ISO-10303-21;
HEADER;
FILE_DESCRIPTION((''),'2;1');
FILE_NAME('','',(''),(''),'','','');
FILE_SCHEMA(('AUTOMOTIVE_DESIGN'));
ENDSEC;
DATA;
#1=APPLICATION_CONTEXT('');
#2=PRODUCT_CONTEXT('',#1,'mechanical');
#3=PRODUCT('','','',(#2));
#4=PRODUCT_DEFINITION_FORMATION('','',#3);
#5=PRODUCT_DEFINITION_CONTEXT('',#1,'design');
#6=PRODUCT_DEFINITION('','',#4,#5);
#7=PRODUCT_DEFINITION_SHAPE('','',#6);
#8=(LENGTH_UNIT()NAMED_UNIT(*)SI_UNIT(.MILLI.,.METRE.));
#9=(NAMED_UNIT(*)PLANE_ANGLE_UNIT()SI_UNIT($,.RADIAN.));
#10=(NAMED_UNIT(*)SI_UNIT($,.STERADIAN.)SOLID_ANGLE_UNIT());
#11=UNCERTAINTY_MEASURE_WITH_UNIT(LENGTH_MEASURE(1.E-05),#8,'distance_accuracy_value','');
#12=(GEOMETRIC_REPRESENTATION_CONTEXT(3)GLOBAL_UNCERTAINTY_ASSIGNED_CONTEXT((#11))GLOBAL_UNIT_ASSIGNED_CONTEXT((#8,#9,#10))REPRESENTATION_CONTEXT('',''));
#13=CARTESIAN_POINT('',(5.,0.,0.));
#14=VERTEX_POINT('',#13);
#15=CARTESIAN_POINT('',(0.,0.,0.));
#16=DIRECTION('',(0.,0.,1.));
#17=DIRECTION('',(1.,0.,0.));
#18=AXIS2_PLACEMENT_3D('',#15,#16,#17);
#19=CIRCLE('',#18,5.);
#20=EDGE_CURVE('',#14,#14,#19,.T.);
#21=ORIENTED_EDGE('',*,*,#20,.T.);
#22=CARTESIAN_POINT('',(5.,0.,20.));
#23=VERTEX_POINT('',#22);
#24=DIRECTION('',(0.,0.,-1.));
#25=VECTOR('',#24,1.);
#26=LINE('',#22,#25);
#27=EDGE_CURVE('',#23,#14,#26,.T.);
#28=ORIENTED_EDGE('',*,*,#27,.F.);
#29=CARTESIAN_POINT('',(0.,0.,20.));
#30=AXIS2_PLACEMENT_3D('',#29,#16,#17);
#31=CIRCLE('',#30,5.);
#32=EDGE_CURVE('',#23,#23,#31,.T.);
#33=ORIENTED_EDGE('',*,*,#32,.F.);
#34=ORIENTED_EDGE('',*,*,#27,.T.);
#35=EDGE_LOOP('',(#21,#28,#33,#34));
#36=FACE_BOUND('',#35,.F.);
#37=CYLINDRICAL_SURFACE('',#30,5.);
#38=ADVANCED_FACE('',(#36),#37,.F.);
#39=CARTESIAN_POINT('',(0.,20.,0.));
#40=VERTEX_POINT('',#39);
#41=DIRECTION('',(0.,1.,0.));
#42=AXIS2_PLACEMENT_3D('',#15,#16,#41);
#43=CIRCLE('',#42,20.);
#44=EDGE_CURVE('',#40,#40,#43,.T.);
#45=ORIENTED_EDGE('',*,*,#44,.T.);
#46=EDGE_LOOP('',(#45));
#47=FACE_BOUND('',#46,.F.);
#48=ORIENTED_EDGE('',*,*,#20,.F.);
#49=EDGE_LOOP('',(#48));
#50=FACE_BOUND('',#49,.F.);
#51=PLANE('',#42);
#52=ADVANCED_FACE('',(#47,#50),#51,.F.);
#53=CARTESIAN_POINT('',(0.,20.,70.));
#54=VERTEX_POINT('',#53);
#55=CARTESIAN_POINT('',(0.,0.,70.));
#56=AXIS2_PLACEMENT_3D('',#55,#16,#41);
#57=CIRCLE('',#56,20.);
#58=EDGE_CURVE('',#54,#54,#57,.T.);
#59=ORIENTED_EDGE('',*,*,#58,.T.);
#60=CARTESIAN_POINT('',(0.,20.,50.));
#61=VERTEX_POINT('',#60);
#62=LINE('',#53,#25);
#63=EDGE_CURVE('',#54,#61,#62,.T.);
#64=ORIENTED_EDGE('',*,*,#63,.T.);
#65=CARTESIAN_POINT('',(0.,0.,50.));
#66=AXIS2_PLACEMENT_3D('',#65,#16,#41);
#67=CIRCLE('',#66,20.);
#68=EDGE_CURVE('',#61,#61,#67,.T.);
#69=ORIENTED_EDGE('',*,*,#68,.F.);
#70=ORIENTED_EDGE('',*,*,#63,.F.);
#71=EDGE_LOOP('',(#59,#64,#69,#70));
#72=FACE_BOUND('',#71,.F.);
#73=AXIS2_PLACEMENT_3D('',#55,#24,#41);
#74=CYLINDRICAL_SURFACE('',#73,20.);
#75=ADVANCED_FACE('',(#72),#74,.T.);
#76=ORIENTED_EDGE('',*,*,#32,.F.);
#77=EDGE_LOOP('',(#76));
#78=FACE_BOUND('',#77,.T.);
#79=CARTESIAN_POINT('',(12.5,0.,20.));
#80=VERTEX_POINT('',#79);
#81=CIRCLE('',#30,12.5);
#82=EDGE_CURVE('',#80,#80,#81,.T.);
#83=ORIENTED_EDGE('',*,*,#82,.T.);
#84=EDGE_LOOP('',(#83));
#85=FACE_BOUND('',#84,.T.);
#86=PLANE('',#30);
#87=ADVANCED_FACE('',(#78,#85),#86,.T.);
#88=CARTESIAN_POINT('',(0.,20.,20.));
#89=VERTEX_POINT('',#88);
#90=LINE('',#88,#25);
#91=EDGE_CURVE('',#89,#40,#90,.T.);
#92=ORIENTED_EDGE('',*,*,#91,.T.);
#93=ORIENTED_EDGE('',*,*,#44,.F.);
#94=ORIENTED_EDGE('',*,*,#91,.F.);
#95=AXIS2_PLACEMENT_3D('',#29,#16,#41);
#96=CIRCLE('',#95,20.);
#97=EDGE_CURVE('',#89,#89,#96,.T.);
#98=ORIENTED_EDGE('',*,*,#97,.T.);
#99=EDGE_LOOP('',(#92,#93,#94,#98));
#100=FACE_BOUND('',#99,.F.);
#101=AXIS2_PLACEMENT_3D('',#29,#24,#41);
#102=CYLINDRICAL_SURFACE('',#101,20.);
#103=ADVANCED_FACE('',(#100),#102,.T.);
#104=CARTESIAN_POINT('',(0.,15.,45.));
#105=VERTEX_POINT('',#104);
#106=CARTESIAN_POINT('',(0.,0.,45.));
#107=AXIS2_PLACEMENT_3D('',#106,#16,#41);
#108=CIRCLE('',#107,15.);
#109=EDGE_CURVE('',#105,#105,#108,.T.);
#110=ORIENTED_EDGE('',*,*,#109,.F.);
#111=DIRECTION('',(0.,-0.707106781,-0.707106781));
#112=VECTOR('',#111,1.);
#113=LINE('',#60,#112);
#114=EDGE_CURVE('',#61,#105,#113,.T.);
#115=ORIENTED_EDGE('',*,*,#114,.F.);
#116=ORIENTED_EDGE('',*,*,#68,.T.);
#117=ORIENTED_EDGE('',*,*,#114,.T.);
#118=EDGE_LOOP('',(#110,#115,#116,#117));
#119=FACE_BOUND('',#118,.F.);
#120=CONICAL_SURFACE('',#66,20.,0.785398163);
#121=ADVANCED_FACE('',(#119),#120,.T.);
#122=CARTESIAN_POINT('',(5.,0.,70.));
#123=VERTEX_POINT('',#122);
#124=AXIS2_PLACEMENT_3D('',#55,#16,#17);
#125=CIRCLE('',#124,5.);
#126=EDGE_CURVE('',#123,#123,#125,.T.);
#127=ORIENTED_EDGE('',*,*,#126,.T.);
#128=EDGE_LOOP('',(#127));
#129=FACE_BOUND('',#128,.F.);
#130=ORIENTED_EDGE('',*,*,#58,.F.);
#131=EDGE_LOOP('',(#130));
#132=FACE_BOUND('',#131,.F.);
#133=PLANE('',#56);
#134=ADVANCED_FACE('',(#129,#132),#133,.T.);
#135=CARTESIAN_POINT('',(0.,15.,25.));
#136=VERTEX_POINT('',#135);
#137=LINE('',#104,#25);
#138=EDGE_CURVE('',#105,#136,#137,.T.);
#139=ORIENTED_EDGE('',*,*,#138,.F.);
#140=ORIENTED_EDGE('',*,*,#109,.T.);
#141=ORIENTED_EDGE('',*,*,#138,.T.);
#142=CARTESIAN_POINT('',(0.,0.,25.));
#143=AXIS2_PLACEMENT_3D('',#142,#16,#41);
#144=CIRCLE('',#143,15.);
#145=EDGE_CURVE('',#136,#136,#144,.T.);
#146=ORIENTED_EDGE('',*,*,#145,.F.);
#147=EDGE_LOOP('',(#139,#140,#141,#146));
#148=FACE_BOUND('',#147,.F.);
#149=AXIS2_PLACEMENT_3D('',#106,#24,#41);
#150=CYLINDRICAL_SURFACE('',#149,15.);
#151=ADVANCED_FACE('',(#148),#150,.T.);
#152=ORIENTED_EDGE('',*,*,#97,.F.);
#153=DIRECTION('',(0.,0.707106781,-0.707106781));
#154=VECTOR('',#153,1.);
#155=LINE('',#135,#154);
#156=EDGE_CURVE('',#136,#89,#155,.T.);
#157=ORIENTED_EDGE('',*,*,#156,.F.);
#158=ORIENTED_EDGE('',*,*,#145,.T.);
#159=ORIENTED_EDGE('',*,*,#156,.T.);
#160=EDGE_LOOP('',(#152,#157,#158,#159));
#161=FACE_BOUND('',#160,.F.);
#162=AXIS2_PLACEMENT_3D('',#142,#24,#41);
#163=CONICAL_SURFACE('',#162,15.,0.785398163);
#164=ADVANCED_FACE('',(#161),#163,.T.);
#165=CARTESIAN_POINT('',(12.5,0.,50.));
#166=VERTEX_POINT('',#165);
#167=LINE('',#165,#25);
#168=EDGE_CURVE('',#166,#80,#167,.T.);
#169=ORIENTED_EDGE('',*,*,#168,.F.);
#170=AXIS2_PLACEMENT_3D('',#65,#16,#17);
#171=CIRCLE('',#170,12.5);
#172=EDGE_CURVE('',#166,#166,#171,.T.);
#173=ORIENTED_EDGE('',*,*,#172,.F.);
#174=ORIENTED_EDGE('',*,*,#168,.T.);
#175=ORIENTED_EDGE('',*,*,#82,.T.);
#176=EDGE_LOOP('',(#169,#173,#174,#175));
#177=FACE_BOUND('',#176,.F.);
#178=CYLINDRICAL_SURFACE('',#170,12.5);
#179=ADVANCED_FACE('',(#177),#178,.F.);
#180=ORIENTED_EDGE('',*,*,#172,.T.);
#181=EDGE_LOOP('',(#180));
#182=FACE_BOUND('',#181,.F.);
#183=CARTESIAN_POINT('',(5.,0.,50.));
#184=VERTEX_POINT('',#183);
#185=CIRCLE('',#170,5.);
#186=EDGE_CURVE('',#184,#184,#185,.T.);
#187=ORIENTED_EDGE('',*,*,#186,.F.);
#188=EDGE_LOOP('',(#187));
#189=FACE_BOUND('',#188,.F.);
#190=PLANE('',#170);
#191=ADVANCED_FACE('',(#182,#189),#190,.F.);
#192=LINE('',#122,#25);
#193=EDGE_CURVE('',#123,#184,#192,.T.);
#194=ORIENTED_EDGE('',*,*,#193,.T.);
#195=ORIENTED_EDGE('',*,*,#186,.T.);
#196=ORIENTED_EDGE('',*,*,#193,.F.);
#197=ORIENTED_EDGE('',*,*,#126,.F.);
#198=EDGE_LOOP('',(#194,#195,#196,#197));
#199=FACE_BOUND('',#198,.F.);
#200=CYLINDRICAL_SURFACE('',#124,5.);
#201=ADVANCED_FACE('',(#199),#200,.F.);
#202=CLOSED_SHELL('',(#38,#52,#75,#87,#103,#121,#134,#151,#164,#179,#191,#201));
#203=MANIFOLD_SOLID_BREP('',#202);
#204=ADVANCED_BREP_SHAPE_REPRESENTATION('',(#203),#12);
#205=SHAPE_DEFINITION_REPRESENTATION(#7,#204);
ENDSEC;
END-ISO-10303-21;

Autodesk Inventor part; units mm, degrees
ref_plane "YZ Plane" through (0, 0, 0) normal (1, 0, 0) x (0, 1, 0)
ref_plane "XZ Plane" through (0, 0, 0) normal (0, 1, 0) x (-1, 0, 0)
ref_plane "XY Plane" through (0, 0, 0) normal (0, 0, 1) x (1, 0, 0)
sketch "스케치4" plane through (0, 0, 0) normal (1, 0, 0) x (0, 1, 0)
  line L0 (0, 0) -> (0, 70)
  line L1 (0, 70) -> (20, 70)
  line L2 (20, 70) -> (20, 50)
  line L3 (20, 50) -> (15, 45)
  line L4 (15, 45) -> (15, 25)
  line L5 (15, 25) -> (20, 20)
  line L6 (20, 20) -> (20, 0)
  line L7 (20, 0) -> (0, 0)
  dimension "d98" = 70
  dimension "d99" = 20
  dimension "d100" = 20
  dimension "d101" = 20
  dimension "d102" = 20
  dimension "d103" = 5
  dimension "d104" = 5
revolve "회전2" add sketch "스케치4" angle 360 about axis through (0, 0, 0) along (0, 0, 1)
sketch "스케치5" plane through (0, 0, 70) normal (0, 0, 1) x (1, 0, 0)
  circle A0 centre (0, 0) radius 5
  dimension "d106" = 10
extrude "돌출1" cut sketch "스케치5" against normal blind 20
sketch "스케치6" plane through (0, 0, 50) normal (0, 0, 1) x (1, 0, 0)
  circle A0 centre (0, 0) radius 12.5
  dimension "d109" = 25
extrude "돌출2" cut sketch "스케치6" against normal blind 30
sketch "스케치7" plane through (0, 0, 20) normal (0, 0, 1) x (1, 0, 0)
  circle A0 centre (0, 0) radius 5
  dimension "d112" = 10
extrude "돌출3" cut sketch "스케치7" against normal up to next
properties part number "기본 투상 연습4"
